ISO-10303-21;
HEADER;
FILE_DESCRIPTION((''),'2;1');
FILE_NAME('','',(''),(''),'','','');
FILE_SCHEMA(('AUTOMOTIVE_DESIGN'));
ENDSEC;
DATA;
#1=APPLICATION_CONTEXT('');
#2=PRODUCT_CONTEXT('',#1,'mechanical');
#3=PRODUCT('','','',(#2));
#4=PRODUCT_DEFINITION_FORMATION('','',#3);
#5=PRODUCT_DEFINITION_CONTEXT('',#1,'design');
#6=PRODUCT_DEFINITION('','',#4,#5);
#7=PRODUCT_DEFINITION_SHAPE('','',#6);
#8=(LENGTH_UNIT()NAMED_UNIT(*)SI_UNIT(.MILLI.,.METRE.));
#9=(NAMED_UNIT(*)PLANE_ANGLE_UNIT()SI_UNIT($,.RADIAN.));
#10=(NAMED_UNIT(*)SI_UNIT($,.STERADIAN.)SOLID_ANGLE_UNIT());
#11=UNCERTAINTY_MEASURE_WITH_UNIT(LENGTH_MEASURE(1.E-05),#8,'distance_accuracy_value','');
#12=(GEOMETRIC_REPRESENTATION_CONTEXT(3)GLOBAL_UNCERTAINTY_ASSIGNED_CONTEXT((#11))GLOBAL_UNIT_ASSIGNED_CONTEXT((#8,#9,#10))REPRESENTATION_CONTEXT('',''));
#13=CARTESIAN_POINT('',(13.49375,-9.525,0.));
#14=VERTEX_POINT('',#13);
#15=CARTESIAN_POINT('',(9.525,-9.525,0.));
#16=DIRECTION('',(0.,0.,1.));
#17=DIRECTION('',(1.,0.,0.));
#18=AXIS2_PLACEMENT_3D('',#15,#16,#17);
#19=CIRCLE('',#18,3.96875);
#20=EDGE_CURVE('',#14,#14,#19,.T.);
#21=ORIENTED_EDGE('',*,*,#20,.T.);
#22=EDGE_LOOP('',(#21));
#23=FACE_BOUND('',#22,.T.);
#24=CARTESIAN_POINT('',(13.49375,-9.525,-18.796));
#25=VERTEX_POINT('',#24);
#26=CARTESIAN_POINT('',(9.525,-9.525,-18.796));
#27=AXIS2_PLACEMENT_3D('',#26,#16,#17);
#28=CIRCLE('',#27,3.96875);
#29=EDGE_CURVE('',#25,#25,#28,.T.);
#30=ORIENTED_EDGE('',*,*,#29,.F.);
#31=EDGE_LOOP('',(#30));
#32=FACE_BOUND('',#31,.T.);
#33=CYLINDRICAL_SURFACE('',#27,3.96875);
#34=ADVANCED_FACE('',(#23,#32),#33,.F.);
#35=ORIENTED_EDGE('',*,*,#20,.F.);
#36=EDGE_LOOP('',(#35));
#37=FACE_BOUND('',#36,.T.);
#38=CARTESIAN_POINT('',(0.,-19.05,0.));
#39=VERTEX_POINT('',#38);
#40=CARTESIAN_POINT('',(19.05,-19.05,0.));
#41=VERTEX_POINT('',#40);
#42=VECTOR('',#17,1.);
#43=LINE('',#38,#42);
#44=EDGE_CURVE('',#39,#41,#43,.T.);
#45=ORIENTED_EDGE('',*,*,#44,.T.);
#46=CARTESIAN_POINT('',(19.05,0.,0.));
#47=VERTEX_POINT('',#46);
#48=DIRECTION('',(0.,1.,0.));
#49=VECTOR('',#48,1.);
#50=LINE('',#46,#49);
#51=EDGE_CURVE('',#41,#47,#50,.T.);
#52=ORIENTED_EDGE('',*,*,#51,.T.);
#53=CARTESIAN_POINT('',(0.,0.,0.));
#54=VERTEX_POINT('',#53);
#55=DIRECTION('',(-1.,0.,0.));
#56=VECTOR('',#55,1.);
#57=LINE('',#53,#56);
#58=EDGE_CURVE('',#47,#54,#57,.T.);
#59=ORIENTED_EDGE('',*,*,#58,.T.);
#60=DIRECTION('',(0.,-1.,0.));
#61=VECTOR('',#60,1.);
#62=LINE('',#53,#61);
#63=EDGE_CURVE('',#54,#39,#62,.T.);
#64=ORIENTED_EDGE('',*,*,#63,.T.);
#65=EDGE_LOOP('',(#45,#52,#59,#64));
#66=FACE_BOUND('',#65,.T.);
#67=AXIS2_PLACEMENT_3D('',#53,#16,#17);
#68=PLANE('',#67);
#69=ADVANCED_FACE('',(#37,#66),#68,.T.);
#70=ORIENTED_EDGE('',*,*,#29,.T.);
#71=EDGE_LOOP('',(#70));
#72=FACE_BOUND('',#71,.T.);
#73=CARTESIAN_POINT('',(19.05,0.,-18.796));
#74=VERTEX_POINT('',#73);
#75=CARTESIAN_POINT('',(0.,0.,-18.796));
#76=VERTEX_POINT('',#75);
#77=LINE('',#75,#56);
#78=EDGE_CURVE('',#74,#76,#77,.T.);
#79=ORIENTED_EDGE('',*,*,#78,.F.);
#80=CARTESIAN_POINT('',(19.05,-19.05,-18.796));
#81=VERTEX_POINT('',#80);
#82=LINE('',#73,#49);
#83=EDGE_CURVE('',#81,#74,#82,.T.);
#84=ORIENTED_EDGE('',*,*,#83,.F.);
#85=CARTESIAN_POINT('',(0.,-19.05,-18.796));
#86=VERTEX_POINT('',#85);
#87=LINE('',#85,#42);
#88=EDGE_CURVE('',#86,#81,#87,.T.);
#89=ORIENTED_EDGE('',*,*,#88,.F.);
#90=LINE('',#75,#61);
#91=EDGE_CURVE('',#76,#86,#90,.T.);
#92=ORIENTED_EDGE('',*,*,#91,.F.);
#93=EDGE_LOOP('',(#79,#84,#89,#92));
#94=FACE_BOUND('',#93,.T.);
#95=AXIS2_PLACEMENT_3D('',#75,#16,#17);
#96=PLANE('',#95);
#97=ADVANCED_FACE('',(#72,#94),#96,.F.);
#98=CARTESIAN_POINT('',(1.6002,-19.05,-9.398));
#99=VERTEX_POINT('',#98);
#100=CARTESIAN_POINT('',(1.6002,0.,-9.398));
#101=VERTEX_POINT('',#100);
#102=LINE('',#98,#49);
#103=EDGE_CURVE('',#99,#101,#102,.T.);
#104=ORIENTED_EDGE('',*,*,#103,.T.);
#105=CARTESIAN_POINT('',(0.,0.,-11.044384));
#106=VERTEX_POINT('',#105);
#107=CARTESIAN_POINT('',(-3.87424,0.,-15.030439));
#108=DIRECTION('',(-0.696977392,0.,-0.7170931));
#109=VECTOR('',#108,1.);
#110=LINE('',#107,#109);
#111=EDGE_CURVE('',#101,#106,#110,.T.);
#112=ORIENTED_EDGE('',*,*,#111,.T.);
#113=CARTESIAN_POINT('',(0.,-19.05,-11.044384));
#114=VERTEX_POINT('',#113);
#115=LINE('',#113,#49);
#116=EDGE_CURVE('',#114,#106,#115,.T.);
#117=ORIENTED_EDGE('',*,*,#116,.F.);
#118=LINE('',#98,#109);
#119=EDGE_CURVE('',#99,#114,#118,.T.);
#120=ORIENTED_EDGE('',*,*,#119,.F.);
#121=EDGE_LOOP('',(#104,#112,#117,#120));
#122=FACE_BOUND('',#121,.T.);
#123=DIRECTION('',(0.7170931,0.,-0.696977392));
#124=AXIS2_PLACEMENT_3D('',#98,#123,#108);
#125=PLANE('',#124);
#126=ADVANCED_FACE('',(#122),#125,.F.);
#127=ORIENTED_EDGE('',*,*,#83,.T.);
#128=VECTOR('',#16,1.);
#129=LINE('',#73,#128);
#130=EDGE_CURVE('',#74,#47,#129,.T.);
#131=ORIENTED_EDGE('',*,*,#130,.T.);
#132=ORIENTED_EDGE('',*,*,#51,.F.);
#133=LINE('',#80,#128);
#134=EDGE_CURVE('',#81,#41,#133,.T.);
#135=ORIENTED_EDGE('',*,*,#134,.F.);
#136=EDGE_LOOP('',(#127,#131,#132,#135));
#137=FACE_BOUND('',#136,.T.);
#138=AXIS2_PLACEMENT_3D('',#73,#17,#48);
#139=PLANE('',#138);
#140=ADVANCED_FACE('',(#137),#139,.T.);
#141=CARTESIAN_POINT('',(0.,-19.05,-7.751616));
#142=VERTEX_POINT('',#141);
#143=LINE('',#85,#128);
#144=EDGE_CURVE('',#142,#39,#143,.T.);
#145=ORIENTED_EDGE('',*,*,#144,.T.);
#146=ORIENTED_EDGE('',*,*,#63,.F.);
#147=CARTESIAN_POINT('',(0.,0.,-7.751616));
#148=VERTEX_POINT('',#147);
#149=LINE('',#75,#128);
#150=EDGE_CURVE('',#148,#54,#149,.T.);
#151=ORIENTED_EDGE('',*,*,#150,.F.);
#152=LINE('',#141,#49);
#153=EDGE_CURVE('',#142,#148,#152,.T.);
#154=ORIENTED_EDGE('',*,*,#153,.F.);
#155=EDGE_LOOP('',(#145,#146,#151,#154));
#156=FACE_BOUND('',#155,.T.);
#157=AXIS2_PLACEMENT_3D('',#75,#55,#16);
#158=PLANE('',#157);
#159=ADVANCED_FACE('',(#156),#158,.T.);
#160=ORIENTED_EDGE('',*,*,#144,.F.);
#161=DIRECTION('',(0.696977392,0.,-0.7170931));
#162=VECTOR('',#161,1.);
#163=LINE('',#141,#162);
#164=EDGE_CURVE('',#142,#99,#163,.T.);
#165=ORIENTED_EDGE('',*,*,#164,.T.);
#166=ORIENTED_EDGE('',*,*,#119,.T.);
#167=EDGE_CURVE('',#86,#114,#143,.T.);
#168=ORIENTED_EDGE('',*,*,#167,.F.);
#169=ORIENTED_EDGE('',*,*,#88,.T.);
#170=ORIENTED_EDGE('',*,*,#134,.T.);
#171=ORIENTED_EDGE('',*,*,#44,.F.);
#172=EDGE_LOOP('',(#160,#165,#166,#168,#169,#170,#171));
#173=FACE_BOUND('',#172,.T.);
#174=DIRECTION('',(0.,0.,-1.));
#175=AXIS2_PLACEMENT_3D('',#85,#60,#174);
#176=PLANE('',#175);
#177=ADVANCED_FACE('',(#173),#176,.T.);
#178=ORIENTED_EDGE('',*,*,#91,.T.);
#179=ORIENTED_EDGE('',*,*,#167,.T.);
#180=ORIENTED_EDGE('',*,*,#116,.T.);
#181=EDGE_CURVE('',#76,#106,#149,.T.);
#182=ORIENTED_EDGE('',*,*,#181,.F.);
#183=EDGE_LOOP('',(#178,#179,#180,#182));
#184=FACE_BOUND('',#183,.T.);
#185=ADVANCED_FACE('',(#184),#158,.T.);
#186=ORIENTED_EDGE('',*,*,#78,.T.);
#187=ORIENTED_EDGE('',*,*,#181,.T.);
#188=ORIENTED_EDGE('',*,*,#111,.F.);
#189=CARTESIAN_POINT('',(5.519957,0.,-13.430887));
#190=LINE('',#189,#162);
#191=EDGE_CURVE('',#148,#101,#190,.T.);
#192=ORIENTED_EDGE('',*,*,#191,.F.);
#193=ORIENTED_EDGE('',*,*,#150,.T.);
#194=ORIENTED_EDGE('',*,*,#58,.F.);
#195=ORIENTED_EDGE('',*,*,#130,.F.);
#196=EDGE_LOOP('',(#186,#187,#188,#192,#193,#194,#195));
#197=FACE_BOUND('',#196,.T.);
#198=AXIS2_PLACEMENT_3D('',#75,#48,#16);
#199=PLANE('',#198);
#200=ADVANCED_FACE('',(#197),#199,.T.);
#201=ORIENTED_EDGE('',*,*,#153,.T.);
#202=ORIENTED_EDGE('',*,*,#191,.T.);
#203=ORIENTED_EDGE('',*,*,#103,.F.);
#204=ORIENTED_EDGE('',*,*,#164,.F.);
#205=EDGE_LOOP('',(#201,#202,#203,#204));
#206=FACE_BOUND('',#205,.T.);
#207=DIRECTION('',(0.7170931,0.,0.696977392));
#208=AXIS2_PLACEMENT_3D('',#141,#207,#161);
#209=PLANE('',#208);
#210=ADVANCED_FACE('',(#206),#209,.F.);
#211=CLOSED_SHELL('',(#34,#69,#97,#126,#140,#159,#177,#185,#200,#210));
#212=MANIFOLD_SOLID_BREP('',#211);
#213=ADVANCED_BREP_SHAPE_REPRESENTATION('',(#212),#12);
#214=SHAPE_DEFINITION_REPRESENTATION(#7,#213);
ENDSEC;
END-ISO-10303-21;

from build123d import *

# Parameters (mm, degrees)
SKETCH1_W               = 19.05
SKETCH1_H               = 19.05
SKETCH1_R               = 3.96875
BOSS_EXTRUDE1_DEPTH     = 18.796
CUT_EXTRUDE1_DEPTH      = 33.849575583
CUT_EXTRUDE1_DEPTH_BACK = 33.849575583


with BuildPart() as part:
    # Sketch1 → Boss-Extrude1 (new body)
    with BuildSketch(Plane.XY):
        with Locations((9.525, -9.525)):
            Rectangle(SKETCH1_W, SKETCH1_H)
        with Locations((9.525, -9.525)):
            Circle(SKETCH1_R, mode=Mode.SUBTRACT)
    extrude(amount=-BOSS_EXTRUDE1_DEPTH)

    # Sketch2 → Cut-Extrude1 (cut, two sides: drawn at the far end of the back side and taken through both)
    with BuildSketch(Plane(origin=(0, 0, 0), x_dir=(1, 0, 0), z_dir=(0, 1, 0)).offset(-CUT_EXTRUDE1_DEPTH_BACK)):
        Polygon((0, 7.751616068), (1.6002, 9.398), (0, 11.044383932), align=None)
    extrude(amount=CUT_EXTRUDE1_DEPTH + CUT_EXTRUDE1_DEPTH_BACK, mode=Mode.SUBTRACT)


solid = part.part
